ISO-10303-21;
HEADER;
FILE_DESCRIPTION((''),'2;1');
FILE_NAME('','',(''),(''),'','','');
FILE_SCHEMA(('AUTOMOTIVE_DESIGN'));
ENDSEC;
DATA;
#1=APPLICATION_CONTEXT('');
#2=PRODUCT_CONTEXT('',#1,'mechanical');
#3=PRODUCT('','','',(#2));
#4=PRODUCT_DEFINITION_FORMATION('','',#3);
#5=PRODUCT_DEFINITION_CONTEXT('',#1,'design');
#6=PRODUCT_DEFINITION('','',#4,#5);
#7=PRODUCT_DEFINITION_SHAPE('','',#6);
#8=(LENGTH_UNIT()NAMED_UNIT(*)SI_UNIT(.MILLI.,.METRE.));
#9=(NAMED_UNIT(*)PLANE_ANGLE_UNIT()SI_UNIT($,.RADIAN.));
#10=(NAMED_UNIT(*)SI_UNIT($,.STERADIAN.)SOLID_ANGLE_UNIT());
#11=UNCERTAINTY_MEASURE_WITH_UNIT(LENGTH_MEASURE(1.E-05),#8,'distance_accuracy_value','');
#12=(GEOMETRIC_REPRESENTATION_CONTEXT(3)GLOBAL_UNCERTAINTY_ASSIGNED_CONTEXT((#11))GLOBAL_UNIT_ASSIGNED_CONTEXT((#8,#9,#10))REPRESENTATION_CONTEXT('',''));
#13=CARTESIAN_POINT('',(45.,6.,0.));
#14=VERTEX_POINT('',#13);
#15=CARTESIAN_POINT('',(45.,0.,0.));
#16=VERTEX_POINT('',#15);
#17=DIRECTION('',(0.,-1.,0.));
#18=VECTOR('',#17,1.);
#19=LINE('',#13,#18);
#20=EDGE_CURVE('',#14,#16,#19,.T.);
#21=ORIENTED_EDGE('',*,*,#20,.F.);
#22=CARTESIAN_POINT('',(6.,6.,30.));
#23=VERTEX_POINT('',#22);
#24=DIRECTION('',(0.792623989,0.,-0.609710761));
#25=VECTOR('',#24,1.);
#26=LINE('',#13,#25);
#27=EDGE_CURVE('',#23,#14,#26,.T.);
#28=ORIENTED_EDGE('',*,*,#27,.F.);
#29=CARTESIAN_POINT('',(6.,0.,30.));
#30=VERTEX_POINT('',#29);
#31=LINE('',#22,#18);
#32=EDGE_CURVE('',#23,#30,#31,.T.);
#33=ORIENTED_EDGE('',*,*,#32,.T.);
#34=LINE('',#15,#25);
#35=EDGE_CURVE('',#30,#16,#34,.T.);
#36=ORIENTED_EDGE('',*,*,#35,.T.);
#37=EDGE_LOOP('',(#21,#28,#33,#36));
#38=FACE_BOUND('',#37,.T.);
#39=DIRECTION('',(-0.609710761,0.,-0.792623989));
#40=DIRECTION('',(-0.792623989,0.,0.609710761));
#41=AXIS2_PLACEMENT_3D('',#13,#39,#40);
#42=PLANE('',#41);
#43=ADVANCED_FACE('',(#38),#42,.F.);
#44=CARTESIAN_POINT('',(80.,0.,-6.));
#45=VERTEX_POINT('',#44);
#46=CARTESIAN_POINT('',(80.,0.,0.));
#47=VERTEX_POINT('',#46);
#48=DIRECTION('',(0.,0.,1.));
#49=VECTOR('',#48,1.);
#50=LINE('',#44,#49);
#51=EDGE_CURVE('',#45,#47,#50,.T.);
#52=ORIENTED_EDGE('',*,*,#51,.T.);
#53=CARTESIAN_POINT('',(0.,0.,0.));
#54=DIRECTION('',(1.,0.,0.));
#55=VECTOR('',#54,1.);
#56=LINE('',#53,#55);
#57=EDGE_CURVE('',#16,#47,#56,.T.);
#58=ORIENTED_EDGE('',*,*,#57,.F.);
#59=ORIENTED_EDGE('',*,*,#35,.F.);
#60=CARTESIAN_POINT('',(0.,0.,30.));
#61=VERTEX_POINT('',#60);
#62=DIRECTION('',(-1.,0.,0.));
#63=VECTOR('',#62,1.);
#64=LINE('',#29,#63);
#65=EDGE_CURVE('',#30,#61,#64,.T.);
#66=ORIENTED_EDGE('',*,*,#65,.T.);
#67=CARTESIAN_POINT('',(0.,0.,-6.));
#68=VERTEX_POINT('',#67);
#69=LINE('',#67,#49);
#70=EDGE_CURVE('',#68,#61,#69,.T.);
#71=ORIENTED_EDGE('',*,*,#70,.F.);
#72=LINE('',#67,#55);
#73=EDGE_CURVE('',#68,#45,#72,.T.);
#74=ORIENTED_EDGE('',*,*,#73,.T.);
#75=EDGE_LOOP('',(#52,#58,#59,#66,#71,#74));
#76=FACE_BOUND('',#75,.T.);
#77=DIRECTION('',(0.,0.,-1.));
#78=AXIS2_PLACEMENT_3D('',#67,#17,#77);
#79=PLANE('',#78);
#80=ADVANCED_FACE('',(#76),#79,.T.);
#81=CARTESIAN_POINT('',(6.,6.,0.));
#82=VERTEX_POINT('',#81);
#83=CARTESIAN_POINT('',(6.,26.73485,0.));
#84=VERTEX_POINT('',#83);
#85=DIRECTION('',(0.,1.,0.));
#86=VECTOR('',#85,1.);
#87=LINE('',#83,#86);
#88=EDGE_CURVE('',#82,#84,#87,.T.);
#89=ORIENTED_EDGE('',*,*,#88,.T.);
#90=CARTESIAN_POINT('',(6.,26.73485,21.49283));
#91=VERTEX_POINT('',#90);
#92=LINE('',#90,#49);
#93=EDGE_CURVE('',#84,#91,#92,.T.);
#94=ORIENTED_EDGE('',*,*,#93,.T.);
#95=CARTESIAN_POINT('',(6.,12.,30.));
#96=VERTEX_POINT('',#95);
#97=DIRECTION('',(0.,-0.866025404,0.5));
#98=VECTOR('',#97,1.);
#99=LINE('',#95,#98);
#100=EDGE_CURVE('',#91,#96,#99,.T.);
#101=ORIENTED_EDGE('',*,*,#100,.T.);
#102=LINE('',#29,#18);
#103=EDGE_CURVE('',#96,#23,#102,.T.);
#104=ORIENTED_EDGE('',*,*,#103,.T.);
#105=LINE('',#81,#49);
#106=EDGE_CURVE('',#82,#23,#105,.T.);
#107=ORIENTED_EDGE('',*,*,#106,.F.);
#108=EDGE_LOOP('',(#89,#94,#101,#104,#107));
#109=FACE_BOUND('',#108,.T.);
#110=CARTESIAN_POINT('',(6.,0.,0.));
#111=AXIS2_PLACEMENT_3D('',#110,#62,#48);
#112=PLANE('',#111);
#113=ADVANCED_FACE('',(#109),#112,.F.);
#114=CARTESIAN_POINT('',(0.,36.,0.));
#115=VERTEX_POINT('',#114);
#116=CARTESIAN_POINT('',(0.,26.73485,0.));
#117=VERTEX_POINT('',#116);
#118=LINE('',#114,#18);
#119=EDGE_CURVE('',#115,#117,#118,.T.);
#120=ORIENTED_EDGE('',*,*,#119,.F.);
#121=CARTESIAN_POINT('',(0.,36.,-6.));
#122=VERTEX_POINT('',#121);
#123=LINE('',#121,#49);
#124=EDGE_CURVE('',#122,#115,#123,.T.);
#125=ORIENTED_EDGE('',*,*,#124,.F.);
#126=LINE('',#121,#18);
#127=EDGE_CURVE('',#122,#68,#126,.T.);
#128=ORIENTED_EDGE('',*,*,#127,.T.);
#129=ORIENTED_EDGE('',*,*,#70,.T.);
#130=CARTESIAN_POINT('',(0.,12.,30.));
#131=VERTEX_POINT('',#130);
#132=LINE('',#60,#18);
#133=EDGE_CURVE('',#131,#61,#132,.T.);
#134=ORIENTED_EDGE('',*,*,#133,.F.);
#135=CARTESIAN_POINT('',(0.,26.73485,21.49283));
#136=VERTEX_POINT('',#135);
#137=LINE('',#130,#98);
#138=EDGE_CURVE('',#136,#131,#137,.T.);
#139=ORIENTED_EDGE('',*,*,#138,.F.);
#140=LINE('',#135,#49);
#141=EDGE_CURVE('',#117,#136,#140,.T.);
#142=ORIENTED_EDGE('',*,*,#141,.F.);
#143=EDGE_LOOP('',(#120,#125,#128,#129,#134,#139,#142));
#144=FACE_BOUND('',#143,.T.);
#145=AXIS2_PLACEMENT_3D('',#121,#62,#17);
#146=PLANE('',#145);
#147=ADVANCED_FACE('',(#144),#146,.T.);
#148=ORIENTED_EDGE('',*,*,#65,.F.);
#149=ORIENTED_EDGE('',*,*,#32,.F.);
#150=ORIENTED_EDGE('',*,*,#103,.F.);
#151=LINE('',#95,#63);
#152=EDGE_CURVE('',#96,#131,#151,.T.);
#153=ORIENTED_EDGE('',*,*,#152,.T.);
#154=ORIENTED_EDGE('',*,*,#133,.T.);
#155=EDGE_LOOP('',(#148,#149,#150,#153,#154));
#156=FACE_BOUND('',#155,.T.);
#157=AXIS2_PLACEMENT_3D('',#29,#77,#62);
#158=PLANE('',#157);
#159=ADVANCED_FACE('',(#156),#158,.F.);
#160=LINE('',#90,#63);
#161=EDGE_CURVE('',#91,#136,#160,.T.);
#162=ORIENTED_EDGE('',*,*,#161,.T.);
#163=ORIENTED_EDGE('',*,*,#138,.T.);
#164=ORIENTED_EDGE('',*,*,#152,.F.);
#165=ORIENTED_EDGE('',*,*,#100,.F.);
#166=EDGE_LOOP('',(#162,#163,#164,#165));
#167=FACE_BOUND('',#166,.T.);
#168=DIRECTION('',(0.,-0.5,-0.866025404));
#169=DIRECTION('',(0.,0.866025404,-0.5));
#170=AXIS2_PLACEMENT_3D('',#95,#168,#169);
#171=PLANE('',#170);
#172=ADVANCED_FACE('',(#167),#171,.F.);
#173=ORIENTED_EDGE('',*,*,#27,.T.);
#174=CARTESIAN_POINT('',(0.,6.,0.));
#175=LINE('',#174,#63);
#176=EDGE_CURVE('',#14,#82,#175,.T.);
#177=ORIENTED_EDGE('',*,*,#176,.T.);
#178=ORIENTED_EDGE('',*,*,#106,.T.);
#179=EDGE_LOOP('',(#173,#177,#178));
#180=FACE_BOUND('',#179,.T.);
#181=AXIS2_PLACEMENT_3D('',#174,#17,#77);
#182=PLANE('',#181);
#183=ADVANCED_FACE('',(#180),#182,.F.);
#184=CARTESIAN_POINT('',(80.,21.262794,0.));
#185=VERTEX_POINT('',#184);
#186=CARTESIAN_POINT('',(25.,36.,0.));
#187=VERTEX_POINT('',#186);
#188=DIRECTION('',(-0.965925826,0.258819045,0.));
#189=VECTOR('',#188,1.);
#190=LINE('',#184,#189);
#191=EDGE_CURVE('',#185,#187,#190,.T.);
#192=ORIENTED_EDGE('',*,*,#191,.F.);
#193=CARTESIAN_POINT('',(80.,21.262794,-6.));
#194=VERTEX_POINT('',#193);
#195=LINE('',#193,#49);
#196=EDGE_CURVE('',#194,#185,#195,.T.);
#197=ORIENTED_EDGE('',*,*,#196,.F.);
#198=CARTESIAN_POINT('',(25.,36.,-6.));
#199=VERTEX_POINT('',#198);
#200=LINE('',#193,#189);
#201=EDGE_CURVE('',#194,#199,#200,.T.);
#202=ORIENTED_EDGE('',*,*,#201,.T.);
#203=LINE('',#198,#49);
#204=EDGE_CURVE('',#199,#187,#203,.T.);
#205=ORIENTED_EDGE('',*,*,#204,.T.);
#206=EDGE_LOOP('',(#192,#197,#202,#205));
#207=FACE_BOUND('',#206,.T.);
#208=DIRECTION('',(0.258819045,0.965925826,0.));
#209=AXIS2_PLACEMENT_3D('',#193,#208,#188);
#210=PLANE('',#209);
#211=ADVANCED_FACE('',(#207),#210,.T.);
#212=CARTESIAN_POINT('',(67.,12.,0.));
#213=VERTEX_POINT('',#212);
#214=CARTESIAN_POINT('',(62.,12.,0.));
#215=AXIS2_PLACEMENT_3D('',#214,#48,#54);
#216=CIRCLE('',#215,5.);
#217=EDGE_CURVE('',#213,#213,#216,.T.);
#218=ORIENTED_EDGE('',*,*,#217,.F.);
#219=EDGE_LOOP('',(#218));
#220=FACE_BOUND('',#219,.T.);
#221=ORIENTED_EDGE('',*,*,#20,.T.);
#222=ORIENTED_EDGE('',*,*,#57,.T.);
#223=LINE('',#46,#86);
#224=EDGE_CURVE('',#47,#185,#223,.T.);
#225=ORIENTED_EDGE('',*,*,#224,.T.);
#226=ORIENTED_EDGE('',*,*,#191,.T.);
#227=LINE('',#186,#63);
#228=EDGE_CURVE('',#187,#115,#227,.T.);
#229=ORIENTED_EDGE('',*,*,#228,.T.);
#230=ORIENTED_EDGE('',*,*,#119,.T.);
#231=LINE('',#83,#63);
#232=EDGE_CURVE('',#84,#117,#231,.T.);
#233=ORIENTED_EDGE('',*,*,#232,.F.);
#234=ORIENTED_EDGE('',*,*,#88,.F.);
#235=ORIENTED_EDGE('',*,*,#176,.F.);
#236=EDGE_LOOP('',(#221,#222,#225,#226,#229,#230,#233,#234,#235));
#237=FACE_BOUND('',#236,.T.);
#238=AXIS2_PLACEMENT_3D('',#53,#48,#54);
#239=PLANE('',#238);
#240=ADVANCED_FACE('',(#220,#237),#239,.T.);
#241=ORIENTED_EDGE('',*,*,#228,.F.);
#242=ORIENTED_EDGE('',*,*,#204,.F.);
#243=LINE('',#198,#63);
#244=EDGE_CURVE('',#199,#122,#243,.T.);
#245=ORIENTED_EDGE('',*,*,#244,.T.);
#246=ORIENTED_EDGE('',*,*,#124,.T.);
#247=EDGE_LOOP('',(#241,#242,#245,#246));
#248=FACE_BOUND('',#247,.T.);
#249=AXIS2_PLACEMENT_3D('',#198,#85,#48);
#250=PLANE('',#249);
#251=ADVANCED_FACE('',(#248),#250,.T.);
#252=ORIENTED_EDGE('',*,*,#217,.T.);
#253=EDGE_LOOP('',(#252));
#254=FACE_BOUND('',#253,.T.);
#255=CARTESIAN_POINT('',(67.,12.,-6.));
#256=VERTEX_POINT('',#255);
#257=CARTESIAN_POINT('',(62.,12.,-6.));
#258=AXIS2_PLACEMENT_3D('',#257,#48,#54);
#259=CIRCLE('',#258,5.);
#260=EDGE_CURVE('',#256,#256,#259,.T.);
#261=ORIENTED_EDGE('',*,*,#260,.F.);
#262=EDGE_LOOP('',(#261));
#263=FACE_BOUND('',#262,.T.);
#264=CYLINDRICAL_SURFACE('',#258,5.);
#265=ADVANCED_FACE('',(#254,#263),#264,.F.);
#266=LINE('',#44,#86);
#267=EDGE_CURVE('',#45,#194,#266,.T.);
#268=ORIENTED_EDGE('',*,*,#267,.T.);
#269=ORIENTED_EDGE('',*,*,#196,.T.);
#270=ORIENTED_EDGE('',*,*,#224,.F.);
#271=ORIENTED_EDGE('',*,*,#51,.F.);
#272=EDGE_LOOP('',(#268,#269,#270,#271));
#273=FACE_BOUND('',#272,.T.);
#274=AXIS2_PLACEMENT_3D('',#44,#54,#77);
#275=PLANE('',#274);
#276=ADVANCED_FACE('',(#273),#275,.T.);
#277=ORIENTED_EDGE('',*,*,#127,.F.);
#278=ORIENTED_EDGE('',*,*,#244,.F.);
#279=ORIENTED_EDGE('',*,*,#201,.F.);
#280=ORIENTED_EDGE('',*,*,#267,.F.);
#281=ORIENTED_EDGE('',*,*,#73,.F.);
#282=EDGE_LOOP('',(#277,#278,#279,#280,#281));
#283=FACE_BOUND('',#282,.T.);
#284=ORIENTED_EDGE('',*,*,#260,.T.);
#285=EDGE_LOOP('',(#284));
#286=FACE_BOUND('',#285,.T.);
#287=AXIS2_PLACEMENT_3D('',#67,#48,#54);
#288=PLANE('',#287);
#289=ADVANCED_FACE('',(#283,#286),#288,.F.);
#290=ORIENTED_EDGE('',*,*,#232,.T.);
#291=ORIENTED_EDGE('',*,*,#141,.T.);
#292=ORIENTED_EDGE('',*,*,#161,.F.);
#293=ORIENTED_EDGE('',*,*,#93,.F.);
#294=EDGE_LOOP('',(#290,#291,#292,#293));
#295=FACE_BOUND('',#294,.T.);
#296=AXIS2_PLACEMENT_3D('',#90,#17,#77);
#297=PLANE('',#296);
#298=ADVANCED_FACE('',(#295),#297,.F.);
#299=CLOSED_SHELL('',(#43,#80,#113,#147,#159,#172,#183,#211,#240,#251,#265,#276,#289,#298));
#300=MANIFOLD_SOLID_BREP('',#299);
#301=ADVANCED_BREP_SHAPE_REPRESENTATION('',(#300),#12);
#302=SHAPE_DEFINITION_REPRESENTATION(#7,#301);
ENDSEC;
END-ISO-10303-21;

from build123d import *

# Parameters (mm, degrees)
SKETCH_1_R      = 5
EXTRUDE_1_DEPTH = 6
EXTRUDE_2_DEPTH = 6
EXTRUDE_3_DEPTH = 6


with BuildPart() as part:
    # 草圖1 → 填料-伸長1 (new body)
    with BuildSketch(Plane.XY):
        Polygon((0, 0), (80, 0), (80, 21.262794416), (25, 36), (0, 36), align=None)
        with Locations((62, 12)):
            Circle(SKETCH_1_R, mode=Mode.SUBTRACT)
    extrude(amount=-EXTRUDE_1_DEPTH)

    # 草圖2 → 填料-伸長2 (add)
    with BuildSketch(Plane(origin=(0, 0, 0), x_dir=(0, 0, -1), z_dir=(1, 0, 0))):
        Polygon((0, 0), (-30, 0), (-30, 12), (-21.492830392, 26.73484999), (0, 26.73484999), align=None)
    extrude(amount=EXTRUDE_2_DEPTH)

    # 草圖3 → 填料-伸長3 (add)
    with BuildSketch(Plane(origin=(0, 0, 0), x_dir=(1, 0, 0), z_dir=(0, 1, 0))):
        Polygon((0, 0), (45, 0), (6, -30), (0, -30), align=None)
    extrude(amount=EXTRUDE_3_DEPTH)


solid = part.part
